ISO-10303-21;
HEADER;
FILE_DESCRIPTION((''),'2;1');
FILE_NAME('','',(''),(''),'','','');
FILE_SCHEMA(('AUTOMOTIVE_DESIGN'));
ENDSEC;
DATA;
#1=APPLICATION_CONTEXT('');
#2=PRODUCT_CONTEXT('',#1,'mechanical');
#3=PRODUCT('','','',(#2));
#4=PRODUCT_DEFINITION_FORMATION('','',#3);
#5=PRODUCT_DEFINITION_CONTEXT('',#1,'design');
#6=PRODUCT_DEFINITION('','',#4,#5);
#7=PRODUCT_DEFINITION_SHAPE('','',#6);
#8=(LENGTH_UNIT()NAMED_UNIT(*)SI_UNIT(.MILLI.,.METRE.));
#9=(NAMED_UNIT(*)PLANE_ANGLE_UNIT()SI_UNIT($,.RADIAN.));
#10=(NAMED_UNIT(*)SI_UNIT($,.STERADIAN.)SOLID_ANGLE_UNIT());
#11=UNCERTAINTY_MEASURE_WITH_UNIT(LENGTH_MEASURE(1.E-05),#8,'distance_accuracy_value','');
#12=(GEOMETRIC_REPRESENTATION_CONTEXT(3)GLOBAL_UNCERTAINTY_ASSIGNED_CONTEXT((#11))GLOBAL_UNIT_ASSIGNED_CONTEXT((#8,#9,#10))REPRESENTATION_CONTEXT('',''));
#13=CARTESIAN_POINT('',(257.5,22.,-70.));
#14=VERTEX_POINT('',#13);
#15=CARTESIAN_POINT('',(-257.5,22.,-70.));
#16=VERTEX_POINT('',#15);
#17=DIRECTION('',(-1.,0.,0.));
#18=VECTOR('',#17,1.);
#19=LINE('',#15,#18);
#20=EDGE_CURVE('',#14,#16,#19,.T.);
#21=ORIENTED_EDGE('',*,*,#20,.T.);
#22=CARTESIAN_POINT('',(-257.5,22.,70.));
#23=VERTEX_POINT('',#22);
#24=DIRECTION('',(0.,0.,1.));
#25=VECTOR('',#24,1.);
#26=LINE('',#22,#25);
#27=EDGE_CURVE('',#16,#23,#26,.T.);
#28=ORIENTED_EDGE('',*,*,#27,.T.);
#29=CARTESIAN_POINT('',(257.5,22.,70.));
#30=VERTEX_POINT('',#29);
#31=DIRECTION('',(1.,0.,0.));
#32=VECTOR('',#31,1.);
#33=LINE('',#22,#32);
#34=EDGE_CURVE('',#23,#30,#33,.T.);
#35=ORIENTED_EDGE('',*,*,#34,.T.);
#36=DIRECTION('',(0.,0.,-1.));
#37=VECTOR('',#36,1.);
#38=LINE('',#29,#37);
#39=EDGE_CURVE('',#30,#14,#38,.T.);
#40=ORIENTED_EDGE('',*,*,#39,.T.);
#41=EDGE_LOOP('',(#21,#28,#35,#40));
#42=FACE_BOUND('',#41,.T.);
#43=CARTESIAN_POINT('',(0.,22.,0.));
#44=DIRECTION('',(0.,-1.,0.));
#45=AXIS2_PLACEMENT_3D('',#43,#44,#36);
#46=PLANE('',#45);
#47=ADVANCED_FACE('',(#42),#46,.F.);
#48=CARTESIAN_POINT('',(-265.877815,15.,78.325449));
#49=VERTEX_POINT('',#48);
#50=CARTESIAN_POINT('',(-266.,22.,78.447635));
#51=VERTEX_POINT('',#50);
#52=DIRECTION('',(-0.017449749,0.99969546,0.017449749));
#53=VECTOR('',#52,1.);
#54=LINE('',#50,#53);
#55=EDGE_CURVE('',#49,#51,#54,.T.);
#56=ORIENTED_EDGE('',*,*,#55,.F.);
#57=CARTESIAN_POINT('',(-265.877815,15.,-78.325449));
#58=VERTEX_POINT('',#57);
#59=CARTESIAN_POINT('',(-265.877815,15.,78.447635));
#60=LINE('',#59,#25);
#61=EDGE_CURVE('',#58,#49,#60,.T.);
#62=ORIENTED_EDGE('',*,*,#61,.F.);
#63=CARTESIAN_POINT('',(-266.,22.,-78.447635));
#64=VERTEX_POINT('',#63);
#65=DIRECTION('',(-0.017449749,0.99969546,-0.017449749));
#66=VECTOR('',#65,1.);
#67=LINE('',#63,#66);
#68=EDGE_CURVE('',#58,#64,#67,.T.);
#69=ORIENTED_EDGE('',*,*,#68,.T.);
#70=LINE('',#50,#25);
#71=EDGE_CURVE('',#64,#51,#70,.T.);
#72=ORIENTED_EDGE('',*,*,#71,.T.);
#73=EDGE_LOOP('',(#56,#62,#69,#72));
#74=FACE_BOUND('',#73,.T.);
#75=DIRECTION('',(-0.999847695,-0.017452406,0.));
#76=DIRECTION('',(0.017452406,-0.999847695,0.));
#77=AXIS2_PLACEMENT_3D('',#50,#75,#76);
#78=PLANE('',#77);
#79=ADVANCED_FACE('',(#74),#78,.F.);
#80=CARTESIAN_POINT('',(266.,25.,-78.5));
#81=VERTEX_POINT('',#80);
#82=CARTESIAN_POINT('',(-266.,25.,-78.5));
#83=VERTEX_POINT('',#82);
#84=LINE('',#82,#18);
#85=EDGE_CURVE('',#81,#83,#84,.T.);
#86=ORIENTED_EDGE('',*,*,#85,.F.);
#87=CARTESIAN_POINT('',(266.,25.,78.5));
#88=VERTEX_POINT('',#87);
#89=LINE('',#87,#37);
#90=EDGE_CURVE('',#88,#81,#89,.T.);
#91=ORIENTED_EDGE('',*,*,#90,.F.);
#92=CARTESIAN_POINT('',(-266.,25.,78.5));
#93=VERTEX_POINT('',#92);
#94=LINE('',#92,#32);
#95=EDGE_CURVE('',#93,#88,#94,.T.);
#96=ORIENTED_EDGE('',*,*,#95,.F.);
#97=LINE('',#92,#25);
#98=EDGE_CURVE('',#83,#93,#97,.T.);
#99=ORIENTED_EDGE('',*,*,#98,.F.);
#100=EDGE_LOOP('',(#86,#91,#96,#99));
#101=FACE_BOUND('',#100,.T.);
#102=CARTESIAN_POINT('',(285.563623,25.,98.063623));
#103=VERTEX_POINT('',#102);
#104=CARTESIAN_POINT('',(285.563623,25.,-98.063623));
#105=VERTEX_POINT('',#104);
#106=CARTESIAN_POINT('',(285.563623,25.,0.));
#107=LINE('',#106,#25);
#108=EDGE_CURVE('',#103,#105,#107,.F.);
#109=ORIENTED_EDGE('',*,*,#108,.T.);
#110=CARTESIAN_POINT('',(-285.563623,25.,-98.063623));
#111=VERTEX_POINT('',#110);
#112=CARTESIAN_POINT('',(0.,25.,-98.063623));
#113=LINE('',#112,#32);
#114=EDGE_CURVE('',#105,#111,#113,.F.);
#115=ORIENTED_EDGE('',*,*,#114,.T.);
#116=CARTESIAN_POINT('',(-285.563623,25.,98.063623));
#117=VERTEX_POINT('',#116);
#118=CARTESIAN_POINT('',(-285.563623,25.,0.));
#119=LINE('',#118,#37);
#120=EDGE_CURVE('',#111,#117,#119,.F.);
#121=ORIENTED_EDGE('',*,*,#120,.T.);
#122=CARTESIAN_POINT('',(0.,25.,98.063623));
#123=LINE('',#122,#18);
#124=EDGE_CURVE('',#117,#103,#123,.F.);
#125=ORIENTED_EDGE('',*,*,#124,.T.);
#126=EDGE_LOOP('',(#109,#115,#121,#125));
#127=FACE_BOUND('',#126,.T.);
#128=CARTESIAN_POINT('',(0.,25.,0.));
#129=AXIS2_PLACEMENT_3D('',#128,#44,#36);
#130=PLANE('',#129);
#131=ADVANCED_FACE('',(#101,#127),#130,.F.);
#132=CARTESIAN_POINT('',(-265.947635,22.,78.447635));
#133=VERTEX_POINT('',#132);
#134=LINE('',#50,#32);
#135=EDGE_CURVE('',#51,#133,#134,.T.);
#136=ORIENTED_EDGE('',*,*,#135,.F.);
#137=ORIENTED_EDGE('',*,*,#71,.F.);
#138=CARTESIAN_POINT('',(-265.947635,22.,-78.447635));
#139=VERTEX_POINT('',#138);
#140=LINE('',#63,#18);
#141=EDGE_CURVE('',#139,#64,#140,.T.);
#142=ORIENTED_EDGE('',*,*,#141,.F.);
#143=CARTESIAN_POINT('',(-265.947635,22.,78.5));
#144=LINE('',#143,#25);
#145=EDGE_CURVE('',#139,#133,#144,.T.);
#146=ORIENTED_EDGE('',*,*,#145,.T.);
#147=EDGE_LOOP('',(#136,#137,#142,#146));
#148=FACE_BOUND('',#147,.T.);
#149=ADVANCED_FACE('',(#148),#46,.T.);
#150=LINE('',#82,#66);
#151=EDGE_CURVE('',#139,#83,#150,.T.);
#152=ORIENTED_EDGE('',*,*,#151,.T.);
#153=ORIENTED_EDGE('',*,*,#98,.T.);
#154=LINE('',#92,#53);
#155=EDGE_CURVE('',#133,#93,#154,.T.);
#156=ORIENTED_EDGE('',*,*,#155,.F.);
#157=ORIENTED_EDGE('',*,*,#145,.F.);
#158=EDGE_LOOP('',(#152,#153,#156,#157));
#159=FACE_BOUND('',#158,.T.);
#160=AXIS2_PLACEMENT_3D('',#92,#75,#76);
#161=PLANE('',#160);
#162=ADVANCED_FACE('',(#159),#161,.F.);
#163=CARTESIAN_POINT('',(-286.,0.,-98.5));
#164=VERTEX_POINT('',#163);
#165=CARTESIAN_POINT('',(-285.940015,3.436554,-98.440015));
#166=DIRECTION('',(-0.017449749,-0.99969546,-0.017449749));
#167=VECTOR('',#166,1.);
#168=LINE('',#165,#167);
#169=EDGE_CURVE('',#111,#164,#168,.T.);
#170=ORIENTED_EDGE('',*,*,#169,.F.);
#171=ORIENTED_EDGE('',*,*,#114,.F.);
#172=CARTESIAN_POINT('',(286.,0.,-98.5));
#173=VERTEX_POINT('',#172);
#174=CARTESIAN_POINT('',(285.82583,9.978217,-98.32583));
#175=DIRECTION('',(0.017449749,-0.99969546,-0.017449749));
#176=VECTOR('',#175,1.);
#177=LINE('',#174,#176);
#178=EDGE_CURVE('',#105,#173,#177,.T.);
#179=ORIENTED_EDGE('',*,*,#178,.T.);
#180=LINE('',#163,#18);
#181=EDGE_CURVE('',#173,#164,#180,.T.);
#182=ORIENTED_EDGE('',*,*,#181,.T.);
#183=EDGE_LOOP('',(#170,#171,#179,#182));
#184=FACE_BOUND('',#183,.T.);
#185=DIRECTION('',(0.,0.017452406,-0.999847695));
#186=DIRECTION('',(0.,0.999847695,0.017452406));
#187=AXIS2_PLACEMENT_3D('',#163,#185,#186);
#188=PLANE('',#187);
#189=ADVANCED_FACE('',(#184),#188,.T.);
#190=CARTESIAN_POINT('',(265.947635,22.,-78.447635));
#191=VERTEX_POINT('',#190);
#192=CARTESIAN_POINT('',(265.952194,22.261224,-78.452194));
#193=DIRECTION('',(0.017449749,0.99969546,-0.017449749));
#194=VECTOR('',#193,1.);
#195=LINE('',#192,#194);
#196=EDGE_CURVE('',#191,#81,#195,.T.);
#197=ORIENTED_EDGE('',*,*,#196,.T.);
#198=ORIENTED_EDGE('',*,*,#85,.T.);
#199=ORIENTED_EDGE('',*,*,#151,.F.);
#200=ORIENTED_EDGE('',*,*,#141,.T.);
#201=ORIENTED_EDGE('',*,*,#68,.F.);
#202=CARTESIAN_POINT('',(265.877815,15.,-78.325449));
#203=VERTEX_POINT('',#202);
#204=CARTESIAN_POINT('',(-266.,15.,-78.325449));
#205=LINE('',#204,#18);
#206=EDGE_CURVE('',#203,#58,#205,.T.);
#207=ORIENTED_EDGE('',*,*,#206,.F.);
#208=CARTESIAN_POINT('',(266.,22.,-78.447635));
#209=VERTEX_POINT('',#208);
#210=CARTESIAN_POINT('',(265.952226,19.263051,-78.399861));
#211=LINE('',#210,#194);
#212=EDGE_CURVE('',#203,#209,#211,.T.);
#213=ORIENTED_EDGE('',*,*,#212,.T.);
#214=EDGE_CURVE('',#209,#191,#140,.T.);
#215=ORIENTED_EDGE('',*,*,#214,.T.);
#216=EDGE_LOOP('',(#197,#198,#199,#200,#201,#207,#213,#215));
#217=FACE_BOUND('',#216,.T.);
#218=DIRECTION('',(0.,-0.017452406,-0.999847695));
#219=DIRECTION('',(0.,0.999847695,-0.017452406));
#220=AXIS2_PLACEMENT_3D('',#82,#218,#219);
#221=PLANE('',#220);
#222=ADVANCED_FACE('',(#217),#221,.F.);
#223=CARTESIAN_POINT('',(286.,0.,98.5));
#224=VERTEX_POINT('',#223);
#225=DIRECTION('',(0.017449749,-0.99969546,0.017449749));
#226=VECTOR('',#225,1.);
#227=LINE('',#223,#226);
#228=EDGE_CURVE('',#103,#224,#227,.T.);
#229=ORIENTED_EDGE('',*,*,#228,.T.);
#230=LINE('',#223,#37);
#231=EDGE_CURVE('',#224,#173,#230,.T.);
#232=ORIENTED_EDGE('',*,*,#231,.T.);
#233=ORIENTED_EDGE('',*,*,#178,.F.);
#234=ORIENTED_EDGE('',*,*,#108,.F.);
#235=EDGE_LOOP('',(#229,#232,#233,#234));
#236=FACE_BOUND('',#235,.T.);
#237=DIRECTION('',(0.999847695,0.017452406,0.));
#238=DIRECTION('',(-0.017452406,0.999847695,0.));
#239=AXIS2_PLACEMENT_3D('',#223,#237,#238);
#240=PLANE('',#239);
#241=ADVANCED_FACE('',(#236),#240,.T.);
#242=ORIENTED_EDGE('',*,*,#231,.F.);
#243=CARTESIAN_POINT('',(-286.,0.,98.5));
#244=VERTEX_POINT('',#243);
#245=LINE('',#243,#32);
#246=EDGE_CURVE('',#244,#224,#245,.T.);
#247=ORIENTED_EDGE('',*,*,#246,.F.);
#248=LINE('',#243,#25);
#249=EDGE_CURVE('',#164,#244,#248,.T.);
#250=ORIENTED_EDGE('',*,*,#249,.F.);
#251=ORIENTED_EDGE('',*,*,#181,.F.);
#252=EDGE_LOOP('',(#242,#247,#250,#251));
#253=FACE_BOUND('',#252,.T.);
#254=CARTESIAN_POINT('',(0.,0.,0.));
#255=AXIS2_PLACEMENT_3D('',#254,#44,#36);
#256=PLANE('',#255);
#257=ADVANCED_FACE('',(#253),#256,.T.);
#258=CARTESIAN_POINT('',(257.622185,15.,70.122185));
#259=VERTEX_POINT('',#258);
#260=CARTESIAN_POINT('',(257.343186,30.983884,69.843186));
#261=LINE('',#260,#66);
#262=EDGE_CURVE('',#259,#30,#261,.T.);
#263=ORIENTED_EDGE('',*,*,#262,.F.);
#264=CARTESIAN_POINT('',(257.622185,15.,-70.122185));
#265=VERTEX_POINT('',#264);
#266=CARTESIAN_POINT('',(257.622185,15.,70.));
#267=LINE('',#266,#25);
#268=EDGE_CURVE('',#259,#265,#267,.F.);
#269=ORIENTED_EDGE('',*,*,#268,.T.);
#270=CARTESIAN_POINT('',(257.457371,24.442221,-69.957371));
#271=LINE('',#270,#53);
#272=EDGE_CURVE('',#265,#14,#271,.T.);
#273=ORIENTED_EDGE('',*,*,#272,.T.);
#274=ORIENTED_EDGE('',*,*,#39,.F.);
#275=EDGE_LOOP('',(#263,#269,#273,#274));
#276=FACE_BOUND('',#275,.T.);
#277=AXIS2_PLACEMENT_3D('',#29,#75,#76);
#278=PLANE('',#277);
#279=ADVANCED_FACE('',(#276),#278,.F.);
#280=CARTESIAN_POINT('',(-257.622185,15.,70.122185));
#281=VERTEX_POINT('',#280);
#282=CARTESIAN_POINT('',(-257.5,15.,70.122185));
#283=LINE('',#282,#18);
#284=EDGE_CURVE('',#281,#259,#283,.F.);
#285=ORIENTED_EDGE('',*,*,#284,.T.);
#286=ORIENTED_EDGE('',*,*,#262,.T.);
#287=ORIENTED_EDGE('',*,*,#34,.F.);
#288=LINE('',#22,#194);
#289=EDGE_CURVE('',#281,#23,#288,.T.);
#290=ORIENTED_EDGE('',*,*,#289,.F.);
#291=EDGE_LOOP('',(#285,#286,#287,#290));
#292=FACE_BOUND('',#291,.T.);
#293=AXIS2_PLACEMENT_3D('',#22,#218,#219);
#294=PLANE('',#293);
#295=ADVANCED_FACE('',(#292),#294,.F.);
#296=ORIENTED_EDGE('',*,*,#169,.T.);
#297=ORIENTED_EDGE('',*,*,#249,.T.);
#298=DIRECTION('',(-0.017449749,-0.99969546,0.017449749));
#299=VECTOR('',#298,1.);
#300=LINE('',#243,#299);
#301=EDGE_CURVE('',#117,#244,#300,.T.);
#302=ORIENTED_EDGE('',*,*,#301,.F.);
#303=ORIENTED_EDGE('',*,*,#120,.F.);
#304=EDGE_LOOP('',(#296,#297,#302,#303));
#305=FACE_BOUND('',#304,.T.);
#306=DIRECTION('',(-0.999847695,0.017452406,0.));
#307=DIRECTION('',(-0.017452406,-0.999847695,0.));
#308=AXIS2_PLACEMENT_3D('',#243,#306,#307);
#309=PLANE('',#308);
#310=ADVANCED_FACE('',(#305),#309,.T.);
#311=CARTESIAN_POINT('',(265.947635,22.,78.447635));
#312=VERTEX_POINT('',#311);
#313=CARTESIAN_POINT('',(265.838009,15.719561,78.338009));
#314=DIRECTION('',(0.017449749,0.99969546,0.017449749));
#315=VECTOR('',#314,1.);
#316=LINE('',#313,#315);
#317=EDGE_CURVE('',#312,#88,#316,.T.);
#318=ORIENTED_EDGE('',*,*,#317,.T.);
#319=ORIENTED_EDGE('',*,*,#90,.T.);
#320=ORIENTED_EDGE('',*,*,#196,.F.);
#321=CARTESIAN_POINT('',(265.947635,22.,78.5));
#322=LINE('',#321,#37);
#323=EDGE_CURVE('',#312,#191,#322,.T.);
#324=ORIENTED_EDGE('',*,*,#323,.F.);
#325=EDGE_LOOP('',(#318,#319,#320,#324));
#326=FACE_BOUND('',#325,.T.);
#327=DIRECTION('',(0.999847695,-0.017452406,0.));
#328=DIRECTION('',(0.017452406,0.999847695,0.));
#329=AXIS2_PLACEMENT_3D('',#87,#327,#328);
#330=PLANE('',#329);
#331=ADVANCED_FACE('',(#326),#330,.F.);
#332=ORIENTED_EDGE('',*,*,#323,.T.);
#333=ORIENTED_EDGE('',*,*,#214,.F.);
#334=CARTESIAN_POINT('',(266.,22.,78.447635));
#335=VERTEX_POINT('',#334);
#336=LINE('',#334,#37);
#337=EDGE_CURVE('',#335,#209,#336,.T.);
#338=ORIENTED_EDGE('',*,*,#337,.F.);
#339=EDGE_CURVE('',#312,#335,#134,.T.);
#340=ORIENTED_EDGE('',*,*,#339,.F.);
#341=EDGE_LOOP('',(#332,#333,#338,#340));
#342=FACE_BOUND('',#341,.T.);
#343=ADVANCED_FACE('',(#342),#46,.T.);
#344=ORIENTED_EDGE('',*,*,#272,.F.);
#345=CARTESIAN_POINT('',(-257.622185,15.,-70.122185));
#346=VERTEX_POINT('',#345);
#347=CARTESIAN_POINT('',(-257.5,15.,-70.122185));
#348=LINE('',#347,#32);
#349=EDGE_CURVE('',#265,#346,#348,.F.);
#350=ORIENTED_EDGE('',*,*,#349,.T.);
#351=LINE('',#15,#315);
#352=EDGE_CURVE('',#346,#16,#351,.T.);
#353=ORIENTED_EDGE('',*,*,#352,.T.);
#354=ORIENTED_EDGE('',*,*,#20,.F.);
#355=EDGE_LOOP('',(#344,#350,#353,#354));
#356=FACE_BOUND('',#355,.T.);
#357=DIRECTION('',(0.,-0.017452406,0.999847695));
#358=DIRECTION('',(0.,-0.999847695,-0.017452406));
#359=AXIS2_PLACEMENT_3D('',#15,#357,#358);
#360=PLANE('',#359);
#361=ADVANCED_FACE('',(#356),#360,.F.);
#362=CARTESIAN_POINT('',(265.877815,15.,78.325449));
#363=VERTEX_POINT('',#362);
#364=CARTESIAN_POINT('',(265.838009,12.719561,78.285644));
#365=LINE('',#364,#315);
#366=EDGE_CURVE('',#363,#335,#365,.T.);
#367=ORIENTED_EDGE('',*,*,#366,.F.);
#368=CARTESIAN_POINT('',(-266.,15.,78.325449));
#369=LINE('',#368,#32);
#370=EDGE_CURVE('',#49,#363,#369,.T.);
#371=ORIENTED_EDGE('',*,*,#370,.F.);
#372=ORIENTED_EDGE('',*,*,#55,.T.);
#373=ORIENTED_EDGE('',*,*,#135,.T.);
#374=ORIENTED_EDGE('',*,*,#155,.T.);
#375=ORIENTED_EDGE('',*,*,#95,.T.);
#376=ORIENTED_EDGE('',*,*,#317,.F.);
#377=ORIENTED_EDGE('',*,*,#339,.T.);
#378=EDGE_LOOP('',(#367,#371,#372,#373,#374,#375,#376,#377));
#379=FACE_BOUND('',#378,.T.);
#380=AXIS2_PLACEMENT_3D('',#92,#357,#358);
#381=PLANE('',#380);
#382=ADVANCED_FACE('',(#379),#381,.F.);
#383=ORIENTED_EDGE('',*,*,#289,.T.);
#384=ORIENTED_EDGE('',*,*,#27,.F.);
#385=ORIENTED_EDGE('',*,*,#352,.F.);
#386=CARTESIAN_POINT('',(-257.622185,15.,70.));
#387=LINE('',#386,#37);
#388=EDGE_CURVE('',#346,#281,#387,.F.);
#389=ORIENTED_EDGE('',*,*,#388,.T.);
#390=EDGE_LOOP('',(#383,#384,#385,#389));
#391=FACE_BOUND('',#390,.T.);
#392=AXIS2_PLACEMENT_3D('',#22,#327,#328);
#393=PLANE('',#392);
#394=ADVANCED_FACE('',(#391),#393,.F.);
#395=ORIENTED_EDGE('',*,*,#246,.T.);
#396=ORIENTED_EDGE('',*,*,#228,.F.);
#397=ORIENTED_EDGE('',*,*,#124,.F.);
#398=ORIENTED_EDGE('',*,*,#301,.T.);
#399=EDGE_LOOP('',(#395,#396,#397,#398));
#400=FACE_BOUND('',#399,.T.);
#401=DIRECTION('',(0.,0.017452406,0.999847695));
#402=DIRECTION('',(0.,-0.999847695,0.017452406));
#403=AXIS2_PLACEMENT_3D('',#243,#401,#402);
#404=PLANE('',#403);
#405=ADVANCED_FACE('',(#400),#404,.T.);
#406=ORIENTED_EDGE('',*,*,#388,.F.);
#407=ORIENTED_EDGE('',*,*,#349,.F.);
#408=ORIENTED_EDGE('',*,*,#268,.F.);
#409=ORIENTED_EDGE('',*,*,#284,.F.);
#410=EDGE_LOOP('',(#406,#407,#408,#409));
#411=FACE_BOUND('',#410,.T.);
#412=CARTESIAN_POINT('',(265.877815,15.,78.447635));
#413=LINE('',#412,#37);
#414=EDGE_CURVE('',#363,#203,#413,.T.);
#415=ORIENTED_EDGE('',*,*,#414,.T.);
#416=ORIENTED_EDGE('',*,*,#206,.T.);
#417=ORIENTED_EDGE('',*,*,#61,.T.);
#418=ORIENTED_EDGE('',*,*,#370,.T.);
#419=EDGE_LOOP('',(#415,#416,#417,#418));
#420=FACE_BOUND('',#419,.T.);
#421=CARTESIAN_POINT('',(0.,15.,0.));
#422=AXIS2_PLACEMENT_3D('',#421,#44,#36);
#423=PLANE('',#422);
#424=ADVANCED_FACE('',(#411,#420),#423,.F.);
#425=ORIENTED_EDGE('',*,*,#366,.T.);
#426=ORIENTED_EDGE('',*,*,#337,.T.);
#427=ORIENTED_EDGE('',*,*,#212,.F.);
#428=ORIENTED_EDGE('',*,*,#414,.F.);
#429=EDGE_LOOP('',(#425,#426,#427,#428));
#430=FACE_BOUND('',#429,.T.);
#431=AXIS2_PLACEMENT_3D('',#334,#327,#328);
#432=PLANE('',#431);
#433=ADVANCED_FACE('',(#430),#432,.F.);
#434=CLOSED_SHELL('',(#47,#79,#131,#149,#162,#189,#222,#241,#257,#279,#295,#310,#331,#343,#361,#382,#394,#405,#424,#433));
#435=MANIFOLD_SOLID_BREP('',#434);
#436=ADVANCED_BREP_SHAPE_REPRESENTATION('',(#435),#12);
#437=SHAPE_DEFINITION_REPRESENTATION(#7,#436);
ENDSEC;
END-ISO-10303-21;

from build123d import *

# Parameters (mm, degrees)
SKETCH1_W           = 572
SKETCH1_H           = 197
BOSS_EXTRUDE1_DEPTH = 25
BOSS_EXTRUDE1_TAPER = 1
SKETCH2_W           = 532
SKETCH2_H           = 157
CUT_EXTRUDE1_DEPTH  = 3
CUT_EXTRUDE1_TAPER  = 1
SKETCH4_W           = 532
SKETCH4_H           = 156.89526961
SKETCH4_W_2         = 515
SKETCH4_H_2         = 140
CUT_EXTRUDE2_DEPTH  = 7
CUT_EXTRUDE2_TAPER  = 1


with BuildPart() as part:
    # Sketch1 → Boss-Extrude1 (new body)
    with BuildSketch(Plane(origin=(0, 0, 0), x_dir=(1, 0, 0), z_dir=(0, 1, 0))):
        Rectangle(SKETCH1_W, SKETCH1_H)
    extrude(amount=BOSS_EXTRUDE1_DEPTH, taper=BOSS_EXTRUDE1_TAPER)

    # Sketch2 → Cut-Extrude1 (cut)
    with BuildSketch(Plane(origin=(0, 25, 0), x_dir=(1, 0, 0), z_dir=(0, 1, 0))):
        Rectangle(SKETCH2_W, SKETCH2_H)
    extrude(amount=-CUT_EXTRUDE1_DEPTH, taper=CUT_EXTRUDE1_TAPER, mode=Mode.SUBTRACT)

    # Sketch4 → Cut-Extrude2 (cut)
    with BuildSketch(Plane(origin=(0, 22, 0), x_dir=(1, 0, 0), z_dir=(0, 1, 0))):
        Rectangle(SKETCH4_W, SKETCH4_H)
        Rectangle(SKETCH4_W_2, SKETCH4_H_2, mode=Mode.SUBTRACT)
    extrude(amount=-CUT_EXTRUDE2_DEPTH, taper=CUT_EXTRUDE2_TAPER, mode=Mode.SUBTRACT)


solid = part.part
